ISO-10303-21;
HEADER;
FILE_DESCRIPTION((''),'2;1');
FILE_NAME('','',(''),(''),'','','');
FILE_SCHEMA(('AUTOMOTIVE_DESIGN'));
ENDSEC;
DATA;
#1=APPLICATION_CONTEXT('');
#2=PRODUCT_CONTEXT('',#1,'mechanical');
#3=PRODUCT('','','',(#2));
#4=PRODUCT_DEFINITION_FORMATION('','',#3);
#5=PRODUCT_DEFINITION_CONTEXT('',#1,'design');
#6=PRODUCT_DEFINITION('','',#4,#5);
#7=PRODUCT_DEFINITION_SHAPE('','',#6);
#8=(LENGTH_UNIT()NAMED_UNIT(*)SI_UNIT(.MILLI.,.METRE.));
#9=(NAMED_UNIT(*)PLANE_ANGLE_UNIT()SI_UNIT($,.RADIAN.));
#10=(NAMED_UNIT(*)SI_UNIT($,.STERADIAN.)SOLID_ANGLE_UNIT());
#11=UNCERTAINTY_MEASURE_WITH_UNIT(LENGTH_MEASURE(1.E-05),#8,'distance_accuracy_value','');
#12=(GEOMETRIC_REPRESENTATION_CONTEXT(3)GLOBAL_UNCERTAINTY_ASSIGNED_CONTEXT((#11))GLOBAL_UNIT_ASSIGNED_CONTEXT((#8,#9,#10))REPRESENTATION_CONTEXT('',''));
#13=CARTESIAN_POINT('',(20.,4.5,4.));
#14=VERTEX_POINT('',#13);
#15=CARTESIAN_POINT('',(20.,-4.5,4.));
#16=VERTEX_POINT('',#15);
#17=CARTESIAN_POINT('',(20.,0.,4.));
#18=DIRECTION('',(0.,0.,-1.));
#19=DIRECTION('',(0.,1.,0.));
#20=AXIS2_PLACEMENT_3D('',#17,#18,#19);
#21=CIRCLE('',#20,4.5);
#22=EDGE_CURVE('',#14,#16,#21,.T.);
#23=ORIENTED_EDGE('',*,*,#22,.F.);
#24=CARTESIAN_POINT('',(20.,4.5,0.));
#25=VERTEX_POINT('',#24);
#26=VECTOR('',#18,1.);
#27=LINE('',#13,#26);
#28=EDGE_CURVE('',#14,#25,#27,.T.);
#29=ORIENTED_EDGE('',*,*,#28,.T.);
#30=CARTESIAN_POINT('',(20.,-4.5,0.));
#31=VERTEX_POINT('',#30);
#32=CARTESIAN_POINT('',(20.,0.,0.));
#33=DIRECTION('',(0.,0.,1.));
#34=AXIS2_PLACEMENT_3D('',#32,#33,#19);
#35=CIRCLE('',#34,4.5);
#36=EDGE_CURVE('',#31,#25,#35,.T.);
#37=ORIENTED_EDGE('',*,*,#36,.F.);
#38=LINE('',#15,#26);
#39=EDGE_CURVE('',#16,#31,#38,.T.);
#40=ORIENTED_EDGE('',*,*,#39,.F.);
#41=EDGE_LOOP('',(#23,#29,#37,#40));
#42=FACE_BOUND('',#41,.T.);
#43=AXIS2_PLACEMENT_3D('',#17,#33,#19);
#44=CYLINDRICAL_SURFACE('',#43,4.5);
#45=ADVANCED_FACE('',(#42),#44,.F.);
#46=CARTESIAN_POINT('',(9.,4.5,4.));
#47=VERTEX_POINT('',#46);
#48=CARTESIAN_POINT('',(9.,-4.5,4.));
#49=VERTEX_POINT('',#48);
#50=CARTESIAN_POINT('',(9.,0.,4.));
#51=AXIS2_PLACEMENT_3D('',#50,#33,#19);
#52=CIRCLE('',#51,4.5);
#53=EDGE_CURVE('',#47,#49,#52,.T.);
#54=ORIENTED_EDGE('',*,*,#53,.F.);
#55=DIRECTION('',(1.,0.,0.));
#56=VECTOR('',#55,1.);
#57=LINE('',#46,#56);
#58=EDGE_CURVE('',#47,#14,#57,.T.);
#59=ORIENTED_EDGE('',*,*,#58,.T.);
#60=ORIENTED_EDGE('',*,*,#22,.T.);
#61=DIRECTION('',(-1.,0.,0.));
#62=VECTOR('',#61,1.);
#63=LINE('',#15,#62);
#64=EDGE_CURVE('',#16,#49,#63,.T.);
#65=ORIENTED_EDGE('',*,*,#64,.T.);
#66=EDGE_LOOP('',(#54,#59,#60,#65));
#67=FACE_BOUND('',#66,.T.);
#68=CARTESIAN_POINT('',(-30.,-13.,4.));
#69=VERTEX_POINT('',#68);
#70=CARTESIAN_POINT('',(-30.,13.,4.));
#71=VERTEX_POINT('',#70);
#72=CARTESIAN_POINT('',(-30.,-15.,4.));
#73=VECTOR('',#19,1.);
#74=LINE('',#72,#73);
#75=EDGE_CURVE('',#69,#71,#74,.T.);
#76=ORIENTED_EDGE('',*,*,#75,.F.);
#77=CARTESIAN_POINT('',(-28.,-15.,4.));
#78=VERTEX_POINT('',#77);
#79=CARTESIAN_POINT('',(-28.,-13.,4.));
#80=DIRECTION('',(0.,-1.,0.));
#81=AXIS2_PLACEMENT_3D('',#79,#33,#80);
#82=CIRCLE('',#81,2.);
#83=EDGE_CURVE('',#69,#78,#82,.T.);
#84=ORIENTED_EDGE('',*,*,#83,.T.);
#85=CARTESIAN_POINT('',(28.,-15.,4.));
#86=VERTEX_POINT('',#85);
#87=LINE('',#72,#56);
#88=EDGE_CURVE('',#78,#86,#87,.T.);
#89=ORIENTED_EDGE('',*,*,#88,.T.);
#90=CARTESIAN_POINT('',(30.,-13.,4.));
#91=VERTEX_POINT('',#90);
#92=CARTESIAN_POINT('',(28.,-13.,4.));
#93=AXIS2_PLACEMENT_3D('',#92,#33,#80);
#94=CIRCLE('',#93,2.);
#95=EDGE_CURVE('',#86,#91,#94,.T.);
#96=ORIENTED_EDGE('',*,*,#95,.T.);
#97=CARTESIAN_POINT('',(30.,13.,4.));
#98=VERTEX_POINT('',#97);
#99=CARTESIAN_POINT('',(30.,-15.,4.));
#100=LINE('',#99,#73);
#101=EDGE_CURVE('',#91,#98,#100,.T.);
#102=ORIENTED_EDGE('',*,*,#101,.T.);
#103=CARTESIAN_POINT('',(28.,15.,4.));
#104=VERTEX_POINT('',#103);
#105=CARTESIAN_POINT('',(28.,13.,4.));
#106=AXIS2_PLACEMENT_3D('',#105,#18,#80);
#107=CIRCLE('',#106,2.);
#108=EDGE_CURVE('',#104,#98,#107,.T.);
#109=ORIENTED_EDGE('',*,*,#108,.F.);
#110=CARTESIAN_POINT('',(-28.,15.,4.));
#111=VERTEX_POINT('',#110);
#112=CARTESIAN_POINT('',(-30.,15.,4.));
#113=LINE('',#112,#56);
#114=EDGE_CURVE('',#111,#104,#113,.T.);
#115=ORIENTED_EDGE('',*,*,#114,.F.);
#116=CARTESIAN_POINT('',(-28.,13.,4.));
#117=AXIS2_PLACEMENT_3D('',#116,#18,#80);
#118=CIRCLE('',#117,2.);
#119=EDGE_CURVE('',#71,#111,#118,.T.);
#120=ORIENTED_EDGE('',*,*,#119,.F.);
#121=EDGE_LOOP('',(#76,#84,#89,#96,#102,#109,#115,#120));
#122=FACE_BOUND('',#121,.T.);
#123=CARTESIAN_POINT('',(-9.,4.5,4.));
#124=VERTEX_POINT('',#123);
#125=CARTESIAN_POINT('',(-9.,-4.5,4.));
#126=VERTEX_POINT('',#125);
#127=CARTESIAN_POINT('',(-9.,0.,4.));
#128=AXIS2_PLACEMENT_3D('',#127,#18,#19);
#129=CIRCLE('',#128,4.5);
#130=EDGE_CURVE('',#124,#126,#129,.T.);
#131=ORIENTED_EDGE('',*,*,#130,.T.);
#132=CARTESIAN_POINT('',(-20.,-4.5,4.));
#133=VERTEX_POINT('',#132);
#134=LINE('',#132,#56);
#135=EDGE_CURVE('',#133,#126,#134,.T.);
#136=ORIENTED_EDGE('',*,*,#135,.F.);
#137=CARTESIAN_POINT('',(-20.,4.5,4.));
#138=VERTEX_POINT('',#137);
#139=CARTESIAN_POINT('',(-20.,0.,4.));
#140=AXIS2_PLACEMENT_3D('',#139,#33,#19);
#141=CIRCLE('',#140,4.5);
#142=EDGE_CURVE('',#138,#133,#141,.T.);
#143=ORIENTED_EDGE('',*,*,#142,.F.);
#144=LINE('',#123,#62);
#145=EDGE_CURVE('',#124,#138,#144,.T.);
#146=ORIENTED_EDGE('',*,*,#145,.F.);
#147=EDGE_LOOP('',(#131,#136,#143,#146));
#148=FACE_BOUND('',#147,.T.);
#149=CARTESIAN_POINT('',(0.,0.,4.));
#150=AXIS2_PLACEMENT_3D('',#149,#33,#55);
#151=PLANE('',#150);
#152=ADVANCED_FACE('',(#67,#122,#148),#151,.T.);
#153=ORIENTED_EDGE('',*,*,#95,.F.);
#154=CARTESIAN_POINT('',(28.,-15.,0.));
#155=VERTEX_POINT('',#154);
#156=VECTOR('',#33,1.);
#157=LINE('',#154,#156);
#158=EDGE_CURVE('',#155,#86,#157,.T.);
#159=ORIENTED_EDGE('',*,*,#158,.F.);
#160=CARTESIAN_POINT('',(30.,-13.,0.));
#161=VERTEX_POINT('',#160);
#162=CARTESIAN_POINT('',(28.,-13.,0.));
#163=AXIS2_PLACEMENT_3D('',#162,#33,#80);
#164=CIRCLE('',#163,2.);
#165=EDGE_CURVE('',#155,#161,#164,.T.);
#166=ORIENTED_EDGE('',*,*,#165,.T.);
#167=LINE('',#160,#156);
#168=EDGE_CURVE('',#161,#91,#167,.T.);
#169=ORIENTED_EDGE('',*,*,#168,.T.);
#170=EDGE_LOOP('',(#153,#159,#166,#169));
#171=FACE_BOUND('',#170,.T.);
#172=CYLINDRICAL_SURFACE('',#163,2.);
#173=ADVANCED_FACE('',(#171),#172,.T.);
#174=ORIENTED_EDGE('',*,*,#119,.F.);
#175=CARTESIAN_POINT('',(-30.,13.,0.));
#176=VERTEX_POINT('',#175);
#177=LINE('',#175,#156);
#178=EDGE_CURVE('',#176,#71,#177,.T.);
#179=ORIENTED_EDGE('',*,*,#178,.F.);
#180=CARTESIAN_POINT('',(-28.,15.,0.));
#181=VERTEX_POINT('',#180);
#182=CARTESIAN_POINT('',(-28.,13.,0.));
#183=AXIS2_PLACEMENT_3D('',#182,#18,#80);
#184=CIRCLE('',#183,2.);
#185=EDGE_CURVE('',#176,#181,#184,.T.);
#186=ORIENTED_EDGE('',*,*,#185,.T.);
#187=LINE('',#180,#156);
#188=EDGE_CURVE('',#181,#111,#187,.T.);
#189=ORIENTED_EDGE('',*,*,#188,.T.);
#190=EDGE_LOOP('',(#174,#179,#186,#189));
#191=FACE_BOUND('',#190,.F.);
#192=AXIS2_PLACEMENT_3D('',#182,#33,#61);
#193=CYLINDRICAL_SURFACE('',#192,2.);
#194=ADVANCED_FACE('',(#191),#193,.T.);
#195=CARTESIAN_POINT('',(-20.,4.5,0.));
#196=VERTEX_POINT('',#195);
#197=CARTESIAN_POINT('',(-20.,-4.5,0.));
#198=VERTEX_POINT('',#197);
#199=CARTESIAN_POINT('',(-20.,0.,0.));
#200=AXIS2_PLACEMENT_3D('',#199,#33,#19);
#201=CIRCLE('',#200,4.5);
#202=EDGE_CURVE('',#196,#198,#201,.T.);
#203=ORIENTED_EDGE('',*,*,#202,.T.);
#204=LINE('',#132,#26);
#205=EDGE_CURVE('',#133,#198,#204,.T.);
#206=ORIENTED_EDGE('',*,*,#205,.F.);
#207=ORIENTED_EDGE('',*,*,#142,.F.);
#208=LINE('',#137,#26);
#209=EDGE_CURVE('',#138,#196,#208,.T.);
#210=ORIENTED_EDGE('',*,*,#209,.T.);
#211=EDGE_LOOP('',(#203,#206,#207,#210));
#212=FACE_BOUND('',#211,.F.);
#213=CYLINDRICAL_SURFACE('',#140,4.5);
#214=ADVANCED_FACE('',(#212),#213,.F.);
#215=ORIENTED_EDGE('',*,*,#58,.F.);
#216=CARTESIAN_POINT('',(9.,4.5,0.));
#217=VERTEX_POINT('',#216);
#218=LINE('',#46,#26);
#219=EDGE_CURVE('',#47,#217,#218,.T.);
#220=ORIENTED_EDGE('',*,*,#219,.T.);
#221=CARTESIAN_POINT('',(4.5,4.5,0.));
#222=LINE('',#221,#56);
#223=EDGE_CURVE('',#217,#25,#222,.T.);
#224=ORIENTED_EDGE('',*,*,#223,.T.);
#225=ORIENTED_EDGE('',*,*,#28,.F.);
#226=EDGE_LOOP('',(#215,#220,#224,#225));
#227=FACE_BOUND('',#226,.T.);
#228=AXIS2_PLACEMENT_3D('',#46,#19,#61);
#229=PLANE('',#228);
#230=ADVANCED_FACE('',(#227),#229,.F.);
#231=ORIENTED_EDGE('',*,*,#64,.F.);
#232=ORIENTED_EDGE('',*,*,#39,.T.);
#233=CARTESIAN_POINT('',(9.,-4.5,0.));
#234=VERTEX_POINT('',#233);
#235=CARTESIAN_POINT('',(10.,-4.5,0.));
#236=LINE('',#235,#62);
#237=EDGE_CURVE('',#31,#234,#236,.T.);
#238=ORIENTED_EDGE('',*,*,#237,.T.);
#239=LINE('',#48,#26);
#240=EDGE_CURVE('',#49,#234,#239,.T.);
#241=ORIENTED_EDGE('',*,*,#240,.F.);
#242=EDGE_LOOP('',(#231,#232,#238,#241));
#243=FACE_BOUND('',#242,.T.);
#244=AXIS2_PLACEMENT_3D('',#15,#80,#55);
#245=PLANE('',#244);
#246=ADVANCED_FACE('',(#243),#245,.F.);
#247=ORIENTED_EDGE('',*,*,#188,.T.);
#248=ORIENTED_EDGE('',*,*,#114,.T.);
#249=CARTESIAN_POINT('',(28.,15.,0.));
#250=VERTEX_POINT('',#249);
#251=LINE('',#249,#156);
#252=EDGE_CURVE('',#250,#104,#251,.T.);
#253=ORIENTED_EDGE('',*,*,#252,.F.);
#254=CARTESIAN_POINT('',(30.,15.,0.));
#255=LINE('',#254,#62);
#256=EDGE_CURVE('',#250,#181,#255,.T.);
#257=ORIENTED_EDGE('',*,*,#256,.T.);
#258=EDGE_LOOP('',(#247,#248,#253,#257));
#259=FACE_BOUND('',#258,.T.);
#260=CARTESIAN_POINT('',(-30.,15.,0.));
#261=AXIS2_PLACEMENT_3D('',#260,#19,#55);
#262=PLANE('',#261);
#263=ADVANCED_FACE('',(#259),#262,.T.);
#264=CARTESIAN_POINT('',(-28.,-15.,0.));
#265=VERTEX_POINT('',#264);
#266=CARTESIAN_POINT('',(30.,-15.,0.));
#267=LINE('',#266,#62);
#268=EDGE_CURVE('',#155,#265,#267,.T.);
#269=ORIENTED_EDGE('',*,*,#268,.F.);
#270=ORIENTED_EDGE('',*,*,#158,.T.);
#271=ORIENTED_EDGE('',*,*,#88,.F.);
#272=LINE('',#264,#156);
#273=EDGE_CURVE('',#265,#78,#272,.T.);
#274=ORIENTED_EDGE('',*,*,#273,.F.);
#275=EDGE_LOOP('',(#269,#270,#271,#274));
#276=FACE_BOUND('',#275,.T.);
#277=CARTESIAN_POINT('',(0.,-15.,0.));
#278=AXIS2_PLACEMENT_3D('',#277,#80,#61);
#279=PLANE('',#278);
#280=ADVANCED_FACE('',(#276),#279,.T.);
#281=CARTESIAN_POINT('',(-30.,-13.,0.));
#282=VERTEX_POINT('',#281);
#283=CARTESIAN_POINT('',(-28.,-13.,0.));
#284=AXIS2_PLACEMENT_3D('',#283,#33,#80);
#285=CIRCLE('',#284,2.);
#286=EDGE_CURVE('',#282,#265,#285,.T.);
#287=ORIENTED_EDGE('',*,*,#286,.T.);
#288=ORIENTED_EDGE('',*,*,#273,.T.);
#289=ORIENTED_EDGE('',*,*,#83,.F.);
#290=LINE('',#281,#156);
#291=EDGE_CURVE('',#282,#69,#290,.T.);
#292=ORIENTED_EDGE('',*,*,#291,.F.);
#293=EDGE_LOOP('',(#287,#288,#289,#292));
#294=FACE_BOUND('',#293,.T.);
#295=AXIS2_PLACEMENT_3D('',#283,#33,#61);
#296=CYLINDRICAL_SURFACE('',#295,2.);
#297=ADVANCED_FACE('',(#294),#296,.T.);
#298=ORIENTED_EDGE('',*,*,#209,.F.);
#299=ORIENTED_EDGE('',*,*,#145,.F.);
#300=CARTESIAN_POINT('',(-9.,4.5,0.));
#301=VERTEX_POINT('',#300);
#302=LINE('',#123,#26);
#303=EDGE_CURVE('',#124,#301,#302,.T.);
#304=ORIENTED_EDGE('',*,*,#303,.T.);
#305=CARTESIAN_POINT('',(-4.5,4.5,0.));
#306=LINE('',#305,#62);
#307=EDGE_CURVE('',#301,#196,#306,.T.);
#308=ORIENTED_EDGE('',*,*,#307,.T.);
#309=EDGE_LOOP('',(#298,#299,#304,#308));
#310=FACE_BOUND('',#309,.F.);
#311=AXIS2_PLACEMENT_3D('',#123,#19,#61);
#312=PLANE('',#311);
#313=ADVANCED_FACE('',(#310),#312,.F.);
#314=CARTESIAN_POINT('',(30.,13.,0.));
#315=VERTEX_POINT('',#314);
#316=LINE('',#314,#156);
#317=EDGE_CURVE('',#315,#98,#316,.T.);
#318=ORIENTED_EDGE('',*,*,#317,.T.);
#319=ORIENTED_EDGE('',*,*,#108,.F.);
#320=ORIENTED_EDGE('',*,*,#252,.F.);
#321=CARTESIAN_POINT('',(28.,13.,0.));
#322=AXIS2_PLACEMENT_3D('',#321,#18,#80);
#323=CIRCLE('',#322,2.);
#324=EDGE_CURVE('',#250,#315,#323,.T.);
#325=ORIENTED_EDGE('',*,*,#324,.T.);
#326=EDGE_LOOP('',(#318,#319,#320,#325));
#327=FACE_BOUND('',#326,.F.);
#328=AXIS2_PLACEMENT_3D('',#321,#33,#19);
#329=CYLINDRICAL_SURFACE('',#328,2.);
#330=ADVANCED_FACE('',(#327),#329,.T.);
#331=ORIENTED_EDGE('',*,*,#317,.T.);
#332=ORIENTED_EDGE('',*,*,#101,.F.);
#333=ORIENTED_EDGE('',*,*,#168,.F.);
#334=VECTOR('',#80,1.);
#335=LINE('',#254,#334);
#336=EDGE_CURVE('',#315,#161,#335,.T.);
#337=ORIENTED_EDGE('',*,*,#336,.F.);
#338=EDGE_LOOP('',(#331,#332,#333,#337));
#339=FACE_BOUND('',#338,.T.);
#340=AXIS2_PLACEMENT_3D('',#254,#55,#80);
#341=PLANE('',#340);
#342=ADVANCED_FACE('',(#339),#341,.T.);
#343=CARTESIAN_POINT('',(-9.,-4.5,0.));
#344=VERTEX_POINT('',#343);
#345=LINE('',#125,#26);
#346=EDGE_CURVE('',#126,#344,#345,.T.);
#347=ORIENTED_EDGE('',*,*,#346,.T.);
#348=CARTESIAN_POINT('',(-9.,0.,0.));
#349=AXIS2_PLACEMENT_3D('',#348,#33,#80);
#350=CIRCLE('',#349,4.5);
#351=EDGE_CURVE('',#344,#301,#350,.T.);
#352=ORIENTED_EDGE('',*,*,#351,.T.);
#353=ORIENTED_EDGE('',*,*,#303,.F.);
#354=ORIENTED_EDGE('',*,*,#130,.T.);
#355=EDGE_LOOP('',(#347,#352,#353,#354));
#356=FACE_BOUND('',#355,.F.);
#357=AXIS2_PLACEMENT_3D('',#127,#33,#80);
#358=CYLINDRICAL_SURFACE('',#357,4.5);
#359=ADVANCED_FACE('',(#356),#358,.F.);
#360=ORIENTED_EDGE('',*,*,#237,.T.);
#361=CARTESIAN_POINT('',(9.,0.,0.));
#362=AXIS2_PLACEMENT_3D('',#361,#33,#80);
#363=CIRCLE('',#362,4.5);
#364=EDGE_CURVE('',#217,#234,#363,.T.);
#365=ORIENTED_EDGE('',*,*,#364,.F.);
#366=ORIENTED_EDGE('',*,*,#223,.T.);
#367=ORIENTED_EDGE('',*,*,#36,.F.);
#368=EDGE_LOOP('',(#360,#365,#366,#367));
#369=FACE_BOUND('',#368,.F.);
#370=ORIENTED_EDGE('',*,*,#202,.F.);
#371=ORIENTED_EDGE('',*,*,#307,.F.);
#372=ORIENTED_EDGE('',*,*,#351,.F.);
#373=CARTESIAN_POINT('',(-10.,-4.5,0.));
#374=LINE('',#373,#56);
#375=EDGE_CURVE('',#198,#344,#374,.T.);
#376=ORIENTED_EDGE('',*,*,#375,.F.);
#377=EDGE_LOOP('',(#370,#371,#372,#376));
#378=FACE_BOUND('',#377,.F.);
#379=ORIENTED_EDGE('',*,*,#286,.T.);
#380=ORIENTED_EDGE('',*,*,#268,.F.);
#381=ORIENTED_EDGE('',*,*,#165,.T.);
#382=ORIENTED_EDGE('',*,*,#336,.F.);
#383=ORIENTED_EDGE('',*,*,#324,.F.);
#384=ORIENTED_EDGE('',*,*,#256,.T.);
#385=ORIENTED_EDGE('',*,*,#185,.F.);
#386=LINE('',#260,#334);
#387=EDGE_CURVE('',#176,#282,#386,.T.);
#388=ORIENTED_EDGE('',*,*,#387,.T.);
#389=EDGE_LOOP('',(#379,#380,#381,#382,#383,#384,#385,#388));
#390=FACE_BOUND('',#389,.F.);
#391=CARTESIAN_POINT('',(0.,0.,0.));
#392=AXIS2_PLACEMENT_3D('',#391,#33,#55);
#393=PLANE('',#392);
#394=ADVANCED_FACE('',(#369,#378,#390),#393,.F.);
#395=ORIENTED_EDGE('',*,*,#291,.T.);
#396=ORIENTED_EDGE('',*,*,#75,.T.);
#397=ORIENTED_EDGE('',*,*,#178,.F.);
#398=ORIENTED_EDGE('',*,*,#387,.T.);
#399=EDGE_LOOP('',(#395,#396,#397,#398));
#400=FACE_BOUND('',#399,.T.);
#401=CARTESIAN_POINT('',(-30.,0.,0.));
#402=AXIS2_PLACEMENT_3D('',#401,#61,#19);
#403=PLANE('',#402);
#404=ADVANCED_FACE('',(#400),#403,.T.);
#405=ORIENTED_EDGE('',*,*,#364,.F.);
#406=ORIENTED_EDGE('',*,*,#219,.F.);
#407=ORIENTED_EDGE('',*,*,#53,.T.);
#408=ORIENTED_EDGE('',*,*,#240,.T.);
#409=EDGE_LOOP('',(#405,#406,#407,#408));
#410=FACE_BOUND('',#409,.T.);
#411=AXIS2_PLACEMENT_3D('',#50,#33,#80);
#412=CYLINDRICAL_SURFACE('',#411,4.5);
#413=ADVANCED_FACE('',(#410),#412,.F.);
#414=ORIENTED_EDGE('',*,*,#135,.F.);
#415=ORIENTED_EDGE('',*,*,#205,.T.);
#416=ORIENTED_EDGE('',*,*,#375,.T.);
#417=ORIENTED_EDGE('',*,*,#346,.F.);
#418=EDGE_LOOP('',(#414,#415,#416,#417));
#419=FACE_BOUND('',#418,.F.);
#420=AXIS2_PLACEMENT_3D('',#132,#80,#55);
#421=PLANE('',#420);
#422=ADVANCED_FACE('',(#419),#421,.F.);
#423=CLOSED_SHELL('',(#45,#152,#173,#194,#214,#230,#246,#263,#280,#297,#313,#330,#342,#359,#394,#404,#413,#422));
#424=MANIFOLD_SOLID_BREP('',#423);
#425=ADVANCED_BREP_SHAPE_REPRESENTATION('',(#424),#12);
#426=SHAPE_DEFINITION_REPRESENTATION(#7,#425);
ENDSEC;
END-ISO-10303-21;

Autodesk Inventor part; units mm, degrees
ref_plane "YZ Plane" through (0, 0, 0) normal (1, 0, 0) x (0, 1, 0)
ref_plane "XZ Plane" through (0, 0, 0) normal (0, 1, 0) x (-1, 0, 0)
ref_plane "XY Plane" through (0, 0, 0) normal (0, 0, 1) x (1, 0, 0)
sketch "Náčrt1" plane through (0, 0, 0) normal (0, 0, 1) x (1, 0, 0)
  line L0 (-42, 0) -> (42, 0) projected
  line L1 (0, -21) -> (0, 21) projected
  line L2 (30, -15) -> (-30, -15)
  line L3 (-30, -15) -> (-30, 15)
  line L4 (-30, 15) -> (30, 15)
  line L5 (30, 15) -> (30, -15)
  point P0 (0, 0)
  dimension "d0" = 60
  dimension "d1" = 30
extrude "Vysunutí1" add sketch "Náčrt1" along normal blind 4
sketch "Náčrt2" plane through (0, 0, 4) normal (0, 0, 1) x (1, 0, 0)
  line L0 (30, 15) -> (-30, 15) projected
  line L1 (-30, 15) -> (-30, -15) projected
  line L2 (-30, -15) -> (30, -15) projected
  line L3 (30, -15) -> (30, 15) projected
  line L4 (-42, 0) -> (42, 0) projected
  line L5 (0, -21) -> (0, 21) projected
  line L6 (-20, 0) -> (-9, 0) construction
  line L7 (-20, -4.5) -> (-9, -4.5)
  line L8 (-9, 4.5) -> (-20, 4.5)
  arc A0 (-20, 4.5) -> (-20, -4.5) centre (-20, 0) ccw
  arc A1 (-9, -4.5) -> (-9, 4.5) centre (-9, 0) ccw
  point P0 (0, 0)
  point P1 (-14.5, 0)
  dimension "d4" = 9
  dimension "d5" = 11
  dimension "d6" = 10
extrude "Vysunutí2" cut sketch "Náčrt2" against normal through all contours A1 L7 A0 L4 | L4 A0 L8 A1
mirror "Zrcadlit1" about plane through (0, 0, 0) normal (1, 0, 0) of "Vysunutí2"
fillet "Zaoblení1" radius 2 4 edges at (-30, 15, 2) (30, 15, 2) (30, -15, 2) (-30, -15, 2)
properties part number "connector_30x30"
